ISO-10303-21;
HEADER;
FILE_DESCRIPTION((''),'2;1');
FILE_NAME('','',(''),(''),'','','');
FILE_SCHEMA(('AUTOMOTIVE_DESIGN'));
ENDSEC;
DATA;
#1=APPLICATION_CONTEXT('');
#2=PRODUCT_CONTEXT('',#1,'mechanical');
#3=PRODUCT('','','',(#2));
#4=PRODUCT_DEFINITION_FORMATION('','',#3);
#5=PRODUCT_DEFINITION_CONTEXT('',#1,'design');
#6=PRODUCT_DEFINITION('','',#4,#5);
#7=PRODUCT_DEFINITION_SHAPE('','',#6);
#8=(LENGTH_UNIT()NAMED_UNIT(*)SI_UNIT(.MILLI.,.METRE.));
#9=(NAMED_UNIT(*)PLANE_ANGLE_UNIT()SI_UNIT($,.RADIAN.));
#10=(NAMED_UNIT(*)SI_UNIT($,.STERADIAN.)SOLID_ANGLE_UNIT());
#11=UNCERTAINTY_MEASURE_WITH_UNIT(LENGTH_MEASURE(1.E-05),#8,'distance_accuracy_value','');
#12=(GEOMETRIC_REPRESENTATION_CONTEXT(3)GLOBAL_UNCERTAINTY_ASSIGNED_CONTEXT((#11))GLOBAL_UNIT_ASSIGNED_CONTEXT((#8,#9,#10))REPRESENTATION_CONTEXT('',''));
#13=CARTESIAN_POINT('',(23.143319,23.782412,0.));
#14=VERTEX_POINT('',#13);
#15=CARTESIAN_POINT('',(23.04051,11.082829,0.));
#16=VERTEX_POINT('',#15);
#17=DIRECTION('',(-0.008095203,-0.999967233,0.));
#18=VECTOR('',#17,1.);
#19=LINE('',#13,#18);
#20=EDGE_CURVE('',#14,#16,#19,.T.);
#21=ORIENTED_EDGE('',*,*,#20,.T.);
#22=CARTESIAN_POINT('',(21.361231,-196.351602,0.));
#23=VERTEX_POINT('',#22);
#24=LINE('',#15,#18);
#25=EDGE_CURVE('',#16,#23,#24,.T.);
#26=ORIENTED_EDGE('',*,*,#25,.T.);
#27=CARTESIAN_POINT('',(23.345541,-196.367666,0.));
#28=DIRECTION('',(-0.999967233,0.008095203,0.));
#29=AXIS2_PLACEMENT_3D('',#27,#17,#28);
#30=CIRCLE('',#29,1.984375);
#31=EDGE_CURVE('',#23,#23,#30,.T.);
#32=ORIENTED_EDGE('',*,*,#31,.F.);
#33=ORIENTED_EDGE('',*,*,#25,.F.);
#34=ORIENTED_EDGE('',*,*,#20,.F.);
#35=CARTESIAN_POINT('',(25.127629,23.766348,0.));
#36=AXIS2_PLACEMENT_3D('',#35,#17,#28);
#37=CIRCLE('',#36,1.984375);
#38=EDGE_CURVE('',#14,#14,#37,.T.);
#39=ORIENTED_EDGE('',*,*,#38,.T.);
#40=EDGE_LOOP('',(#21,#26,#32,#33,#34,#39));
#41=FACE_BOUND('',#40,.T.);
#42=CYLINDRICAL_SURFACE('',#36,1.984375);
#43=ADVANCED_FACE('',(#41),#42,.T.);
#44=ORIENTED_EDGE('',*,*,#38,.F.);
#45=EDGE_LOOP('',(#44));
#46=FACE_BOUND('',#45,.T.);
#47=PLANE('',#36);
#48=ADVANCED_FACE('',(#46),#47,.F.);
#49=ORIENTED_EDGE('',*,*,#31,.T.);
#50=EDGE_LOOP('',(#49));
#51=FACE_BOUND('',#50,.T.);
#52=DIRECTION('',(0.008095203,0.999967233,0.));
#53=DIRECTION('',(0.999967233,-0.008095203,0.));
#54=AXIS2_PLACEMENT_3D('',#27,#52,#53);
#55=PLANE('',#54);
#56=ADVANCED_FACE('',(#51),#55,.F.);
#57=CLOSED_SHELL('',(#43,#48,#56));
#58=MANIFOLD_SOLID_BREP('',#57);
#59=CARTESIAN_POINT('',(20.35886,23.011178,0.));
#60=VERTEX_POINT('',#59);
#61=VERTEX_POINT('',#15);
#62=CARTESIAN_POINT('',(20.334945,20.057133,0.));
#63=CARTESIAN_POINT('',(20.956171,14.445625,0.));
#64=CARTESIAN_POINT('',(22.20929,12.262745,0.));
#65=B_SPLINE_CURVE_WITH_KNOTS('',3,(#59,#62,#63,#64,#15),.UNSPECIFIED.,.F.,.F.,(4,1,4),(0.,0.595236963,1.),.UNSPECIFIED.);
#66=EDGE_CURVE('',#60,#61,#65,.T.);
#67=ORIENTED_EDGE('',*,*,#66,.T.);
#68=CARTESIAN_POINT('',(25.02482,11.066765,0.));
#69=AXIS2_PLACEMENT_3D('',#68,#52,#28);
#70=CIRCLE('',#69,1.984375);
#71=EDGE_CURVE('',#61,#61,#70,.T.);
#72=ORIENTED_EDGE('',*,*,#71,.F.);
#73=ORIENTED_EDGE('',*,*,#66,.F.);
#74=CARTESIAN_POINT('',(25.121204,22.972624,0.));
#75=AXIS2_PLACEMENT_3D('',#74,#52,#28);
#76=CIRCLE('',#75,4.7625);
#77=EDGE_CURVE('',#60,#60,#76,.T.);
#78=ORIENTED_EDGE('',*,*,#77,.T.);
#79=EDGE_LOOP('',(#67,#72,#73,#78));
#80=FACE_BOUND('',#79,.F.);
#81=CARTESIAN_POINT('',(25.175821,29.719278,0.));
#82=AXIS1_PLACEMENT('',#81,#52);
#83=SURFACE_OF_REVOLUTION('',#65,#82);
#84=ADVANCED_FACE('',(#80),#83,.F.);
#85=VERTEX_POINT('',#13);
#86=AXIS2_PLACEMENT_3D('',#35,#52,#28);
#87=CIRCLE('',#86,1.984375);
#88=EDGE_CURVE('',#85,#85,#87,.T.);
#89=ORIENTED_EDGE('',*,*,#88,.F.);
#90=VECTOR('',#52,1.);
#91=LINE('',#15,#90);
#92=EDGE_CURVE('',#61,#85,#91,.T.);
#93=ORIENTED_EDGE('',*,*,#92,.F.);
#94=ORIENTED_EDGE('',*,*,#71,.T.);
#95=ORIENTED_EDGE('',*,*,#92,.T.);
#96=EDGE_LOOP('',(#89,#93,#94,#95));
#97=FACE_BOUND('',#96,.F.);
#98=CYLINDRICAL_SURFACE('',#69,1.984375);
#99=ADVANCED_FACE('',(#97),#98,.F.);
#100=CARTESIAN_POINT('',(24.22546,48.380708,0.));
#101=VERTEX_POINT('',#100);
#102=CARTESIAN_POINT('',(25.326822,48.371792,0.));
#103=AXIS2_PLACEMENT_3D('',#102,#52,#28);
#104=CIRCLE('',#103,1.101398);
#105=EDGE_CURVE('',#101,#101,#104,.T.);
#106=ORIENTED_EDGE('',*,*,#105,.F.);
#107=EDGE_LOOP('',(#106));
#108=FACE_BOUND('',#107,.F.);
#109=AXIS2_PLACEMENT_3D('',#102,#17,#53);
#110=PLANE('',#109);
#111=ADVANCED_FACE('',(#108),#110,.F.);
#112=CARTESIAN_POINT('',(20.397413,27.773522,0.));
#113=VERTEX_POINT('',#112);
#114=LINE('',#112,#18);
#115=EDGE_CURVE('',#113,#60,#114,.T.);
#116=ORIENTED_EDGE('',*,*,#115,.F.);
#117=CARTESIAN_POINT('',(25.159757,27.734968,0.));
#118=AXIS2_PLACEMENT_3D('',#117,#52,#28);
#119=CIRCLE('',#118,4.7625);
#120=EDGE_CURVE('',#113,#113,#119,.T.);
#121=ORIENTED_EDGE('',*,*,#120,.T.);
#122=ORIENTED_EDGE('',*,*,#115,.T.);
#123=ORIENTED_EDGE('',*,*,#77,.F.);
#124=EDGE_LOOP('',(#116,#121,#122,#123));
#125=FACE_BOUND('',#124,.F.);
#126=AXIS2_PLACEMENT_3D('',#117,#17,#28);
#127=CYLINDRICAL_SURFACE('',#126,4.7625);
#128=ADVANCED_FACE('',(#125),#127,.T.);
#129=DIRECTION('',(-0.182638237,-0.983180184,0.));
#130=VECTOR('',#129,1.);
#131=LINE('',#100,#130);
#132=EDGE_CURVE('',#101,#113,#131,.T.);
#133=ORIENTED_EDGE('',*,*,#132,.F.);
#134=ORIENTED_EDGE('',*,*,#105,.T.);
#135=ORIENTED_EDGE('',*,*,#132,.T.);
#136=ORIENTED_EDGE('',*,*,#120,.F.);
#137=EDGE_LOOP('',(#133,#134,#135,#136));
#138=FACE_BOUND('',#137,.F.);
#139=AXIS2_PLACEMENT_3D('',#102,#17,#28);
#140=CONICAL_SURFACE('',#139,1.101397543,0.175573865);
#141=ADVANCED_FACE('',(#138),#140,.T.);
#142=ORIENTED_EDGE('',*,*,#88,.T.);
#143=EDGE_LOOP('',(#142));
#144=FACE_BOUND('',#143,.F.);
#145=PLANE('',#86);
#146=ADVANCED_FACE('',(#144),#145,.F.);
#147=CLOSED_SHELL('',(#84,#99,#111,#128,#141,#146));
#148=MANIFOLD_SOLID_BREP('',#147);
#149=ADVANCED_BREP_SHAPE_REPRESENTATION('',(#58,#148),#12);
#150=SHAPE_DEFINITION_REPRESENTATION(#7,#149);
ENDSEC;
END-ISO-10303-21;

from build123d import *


with BuildPart() as f1:
    # F0 (on Top) → F1 (revolve)
    with BuildSketch(Plane.XY):
        Polygon((23.345541209, -196.3676661253), (25.0248201191, 11.0667645931), (25.1276292009, 23.7663484561), (23.1433192223, 23.7824123751), (23.0405101406, 11.0828285122), (21.3612312304, -196.3516022063), align=None)
    revolve(axis=Axis((24.1851806641, -92.6504507661, 0), (-0.0080952033, -0.9999672333, 0)))


with BuildPart() as f2:
    # F0 (on Top) → F2 (revolve)
    with BuildSketch(Plane.XY):
        with BuildLine():
            Line((23.1433192223, 23.7824123751), (25.1276292009, 23.7663484561))
            Line((25.1276292009, 23.7663484561), (25.3268217968, 48.3717921906))
            Line((25.3268217968, 48.3717921906), (24.225460343, 48.3807082276))
            Line((24.225460343, 48.3807082276), (20.3974130903, 27.7735218189))
            Line((20.3974130903, 27.7735218189), (20.3588596847, 23.0111778703))
            add(Edge.make_bspline(
                [(20.3588596847, 23.0111778703), (20.3349453083, 20.0571331209), (20.9561705421, 14.4456250959), (22.2092902976, 12.2627453925), (23.0405101406, 11.0828285122)],
                knots=[0, 0, 0, 0, 0.5952369635, 1, 1, 1, 1], degree=3))
            Line((23.0405101406, 11.0828285122), (23.1433192223, 23.7824123751))
        make_face()
    revolve(axis=Axis((25.175820958, 29.7192783919, 0), (0.0080952033, 0.9999672333, 0)))


solid = Compound([f1.part, f2.part])
